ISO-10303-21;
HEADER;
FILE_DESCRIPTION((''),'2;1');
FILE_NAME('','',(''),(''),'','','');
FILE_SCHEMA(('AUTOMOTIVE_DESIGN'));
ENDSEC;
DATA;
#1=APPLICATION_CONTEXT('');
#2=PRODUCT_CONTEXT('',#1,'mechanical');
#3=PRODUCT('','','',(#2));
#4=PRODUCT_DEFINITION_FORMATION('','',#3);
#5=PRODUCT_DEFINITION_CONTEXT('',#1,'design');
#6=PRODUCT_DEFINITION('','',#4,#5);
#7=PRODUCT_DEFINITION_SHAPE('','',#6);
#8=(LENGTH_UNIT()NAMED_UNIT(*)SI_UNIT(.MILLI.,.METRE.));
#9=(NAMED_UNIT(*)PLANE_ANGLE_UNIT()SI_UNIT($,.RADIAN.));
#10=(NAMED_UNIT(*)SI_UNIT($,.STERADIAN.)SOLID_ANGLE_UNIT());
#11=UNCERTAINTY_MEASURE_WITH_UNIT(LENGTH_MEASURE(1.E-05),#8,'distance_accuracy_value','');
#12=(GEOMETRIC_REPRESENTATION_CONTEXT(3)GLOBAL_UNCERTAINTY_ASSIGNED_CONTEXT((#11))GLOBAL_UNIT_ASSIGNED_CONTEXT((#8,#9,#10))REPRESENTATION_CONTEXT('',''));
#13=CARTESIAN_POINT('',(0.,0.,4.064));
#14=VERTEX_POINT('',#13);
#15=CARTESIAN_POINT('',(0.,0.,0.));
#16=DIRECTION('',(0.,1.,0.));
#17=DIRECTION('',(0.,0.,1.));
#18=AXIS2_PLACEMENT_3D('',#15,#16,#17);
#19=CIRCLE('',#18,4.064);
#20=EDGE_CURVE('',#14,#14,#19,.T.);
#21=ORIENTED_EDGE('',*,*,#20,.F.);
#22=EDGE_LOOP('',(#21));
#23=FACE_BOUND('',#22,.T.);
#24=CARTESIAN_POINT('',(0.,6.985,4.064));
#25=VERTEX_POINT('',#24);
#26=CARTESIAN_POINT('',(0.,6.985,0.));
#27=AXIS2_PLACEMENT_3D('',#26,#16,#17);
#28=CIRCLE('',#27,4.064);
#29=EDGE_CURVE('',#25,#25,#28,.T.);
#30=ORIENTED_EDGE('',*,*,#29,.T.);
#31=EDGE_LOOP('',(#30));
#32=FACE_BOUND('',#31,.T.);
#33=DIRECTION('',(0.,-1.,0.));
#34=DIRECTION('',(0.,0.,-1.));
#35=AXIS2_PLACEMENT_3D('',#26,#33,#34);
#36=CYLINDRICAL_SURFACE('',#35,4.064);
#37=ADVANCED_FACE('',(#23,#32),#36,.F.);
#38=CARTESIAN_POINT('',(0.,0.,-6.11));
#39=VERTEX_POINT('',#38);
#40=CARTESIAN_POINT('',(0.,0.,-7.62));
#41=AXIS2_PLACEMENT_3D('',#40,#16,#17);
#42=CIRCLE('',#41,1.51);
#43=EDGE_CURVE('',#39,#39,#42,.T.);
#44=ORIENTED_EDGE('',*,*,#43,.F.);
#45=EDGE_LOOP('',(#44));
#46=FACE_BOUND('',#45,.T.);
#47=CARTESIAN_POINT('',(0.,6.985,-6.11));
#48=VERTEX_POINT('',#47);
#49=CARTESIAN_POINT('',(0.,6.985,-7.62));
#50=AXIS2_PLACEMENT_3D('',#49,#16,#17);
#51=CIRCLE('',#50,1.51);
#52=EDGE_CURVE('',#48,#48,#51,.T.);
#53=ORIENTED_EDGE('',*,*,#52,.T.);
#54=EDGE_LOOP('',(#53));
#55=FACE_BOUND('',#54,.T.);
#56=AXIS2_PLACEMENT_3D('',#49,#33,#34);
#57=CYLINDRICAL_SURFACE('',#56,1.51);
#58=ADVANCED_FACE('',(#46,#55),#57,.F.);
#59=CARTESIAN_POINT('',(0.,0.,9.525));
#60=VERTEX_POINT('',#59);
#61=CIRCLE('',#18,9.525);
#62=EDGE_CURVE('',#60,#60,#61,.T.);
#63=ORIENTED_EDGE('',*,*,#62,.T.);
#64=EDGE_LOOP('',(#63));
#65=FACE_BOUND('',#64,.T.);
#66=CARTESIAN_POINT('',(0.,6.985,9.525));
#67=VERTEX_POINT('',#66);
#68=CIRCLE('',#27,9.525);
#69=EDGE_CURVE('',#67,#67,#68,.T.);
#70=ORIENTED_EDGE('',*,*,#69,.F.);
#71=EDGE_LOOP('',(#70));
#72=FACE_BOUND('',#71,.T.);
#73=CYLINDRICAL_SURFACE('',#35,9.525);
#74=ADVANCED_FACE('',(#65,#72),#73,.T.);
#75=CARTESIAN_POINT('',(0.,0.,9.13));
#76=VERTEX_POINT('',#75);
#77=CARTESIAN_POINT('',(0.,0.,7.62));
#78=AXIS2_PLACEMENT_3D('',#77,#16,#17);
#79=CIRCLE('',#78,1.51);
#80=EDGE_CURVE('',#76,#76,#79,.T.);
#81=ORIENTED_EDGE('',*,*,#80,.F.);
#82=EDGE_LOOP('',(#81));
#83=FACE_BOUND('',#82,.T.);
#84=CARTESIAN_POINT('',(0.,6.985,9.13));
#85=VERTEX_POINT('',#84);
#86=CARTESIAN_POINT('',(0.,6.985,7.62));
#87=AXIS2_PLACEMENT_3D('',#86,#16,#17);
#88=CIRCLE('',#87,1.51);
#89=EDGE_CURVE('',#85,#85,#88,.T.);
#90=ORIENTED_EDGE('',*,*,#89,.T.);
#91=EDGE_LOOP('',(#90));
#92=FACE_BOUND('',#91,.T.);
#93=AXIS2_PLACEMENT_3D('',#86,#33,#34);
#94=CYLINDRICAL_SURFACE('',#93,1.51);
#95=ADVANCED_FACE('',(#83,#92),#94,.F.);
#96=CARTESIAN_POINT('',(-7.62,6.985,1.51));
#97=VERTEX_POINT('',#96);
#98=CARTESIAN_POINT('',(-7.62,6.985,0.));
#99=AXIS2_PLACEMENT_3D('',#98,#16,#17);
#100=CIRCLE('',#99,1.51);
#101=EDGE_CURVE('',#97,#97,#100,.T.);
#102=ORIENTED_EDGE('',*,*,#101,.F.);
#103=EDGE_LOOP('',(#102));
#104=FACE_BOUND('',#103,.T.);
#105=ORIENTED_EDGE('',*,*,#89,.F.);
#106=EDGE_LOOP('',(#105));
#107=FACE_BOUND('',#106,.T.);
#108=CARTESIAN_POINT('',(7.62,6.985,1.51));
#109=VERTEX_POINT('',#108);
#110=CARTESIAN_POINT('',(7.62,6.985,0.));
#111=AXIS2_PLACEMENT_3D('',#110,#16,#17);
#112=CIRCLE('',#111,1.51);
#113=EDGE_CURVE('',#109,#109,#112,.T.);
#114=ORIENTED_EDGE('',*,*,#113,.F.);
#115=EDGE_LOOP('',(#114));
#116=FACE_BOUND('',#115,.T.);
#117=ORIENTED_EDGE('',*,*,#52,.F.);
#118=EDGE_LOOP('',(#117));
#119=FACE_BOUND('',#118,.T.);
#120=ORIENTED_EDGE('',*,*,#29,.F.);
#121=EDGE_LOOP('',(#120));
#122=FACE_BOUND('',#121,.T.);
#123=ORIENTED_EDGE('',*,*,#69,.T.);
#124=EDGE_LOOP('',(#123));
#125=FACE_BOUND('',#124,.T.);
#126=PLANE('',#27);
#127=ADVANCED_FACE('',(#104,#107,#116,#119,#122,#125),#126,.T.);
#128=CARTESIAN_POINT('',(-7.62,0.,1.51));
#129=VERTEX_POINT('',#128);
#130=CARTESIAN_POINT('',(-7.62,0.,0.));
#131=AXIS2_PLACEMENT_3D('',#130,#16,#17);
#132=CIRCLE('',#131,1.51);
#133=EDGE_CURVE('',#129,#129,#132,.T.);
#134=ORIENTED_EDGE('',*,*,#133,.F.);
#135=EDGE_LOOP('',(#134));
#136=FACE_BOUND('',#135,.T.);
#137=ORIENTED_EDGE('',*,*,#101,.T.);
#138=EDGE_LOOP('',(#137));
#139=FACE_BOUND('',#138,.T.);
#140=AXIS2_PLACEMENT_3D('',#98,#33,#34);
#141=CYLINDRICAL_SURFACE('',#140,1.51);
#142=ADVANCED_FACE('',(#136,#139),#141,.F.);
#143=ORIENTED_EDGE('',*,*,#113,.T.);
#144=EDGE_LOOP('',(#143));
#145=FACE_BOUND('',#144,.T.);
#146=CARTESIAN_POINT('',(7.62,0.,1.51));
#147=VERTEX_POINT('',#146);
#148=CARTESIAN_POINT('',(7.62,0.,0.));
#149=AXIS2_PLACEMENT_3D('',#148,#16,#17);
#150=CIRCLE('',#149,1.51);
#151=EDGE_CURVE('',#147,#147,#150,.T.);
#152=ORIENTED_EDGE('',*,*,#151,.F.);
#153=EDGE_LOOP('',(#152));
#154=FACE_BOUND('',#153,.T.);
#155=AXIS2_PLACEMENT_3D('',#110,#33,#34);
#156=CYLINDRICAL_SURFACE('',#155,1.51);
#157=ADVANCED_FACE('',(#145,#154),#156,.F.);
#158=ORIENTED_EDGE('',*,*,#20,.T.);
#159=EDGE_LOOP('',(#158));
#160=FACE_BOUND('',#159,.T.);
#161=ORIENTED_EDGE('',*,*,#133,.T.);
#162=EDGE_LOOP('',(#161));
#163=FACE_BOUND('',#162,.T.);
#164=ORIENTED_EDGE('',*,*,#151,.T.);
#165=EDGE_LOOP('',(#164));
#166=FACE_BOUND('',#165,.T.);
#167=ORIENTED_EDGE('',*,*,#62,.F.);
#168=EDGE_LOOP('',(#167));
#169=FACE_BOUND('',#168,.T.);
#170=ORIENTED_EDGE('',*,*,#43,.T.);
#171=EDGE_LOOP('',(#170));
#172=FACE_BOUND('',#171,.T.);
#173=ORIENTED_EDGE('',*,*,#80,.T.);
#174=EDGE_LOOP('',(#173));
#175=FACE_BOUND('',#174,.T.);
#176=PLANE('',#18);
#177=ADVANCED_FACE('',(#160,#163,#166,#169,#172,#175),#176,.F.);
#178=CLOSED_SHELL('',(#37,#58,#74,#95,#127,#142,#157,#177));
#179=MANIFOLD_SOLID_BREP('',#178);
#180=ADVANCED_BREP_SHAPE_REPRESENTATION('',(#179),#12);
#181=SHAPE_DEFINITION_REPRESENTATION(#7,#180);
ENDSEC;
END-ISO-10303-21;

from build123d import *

# Parameters (mm, degrees)
SKETCH1_R           = 9.525
SKETCH1_R_2         = 1.51
SKETCH1_R_3         = 4.064
BOSS_EXTRUDE1_DEPTH = 6.985


with BuildPart() as part:
    # Sketch1 → Boss-Extrude1 (new body)
    with BuildSketch(Plane(origin=(0, 0, 0), x_dir=(1, 0, 0), z_dir=(0, 1, 0))):
        Circle(SKETCH1_R)
        with Locations((0, 7.62)):
            Circle(SKETCH1_R_2, mode=Mode.SUBTRACT)
        with Locations((7.62, 0)):
            Circle(SKETCH1_R_2, mode=Mode.SUBTRACT)
        with Locations((0, -7.62)):
            Circle(SKETCH1_R_2, mode=Mode.SUBTRACT)
        with Locations((-7.62, 0)):
            Circle(SKETCH1_R_2, mode=Mode.SUBTRACT)
        Circle(SKETCH1_R_3, mode=Mode.SUBTRACT)
    extrude(amount=BOSS_EXTRUDE1_DEPTH)


solid = part.part
